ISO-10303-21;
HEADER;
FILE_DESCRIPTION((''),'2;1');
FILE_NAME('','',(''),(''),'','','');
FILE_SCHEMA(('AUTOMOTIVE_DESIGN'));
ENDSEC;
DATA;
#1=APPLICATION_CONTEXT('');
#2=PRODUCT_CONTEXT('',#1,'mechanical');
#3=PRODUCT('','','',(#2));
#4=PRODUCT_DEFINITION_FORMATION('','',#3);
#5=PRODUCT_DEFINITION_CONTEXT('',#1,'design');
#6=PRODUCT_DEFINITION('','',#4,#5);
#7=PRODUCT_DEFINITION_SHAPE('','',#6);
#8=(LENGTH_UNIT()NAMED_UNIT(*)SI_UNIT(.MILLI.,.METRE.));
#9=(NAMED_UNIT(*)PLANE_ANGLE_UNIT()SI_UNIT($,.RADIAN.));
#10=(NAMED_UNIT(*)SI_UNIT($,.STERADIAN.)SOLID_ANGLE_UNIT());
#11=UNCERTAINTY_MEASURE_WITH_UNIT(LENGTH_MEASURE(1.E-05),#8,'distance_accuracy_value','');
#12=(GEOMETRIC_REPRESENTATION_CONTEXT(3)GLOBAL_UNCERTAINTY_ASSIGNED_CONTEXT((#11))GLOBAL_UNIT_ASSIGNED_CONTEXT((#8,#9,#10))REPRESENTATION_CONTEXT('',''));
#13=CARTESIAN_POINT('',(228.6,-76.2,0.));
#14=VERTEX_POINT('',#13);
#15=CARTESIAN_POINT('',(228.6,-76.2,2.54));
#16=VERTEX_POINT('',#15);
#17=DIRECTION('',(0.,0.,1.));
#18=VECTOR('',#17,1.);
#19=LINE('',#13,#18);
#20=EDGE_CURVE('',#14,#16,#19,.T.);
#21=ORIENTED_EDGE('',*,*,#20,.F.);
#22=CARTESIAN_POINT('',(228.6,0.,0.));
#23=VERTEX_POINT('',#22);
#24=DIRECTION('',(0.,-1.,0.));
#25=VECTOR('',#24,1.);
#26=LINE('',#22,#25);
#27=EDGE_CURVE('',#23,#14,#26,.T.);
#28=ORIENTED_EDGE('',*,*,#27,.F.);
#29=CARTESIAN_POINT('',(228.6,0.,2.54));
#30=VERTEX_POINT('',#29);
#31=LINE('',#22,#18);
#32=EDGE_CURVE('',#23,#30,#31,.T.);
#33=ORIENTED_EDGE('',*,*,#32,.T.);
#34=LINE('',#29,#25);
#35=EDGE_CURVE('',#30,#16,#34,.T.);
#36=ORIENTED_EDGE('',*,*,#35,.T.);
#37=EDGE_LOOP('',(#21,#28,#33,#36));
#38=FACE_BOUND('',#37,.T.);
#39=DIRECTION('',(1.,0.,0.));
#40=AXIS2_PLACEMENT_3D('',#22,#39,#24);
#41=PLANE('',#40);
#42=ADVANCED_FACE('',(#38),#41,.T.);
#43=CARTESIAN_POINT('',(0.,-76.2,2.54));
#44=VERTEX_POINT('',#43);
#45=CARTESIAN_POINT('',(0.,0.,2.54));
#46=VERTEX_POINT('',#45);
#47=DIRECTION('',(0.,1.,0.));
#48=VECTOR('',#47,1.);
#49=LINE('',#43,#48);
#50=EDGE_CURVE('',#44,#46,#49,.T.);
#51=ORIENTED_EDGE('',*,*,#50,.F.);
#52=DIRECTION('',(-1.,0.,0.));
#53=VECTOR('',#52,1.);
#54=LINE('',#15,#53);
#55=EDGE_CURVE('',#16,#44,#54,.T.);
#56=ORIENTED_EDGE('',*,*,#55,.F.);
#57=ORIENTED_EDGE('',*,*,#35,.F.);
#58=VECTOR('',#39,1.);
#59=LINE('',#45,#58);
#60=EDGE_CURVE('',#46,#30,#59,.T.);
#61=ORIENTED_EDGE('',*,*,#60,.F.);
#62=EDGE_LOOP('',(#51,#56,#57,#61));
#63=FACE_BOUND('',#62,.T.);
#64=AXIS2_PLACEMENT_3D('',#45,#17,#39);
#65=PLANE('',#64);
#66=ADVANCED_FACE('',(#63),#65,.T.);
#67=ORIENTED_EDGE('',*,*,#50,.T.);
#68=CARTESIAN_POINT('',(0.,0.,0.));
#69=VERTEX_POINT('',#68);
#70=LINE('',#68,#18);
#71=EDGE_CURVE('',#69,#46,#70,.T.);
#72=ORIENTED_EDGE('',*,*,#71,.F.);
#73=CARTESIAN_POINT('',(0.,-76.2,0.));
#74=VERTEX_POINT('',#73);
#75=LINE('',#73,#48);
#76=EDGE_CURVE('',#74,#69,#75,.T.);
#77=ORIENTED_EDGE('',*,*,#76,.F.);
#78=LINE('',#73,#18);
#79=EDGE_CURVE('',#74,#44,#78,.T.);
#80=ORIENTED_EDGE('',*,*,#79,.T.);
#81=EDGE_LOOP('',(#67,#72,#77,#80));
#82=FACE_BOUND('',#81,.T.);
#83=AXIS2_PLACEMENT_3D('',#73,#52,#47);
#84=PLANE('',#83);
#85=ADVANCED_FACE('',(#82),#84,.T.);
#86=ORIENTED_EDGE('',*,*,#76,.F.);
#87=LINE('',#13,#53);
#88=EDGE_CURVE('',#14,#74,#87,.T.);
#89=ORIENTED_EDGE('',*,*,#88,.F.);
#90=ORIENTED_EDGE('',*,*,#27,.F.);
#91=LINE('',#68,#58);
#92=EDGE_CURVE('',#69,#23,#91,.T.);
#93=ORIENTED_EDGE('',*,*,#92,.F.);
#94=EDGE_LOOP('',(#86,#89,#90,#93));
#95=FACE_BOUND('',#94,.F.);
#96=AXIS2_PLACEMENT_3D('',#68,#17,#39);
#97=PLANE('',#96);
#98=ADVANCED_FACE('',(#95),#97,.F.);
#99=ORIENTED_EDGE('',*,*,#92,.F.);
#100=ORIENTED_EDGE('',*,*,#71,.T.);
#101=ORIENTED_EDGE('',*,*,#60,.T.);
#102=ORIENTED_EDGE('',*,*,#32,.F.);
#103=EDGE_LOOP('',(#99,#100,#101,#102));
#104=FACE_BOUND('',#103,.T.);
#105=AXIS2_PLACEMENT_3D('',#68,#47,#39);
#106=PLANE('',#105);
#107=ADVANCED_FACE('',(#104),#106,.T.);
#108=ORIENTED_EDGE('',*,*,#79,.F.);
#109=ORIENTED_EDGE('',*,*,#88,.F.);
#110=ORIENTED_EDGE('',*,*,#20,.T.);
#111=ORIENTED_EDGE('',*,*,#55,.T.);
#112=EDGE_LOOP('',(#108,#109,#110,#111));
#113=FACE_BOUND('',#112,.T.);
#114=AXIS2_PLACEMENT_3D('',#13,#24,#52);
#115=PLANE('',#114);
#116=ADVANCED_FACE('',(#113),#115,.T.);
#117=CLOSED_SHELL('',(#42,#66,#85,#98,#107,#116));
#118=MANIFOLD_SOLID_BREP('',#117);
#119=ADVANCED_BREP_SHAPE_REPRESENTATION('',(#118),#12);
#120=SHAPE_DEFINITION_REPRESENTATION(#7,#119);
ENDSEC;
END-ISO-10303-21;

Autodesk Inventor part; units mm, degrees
ref_plane "YZ Plane" through (0, 0, 0) normal (1, 0, 0) x (0, 1, 0)
ref_plane "XZ Plane" through (0, 0, 0) normal (0, 1, 0) x (-1, 0, 0)
ref_plane "XY Plane" through (0, 0, 0) normal (0, 0, 1) x (1, 0, 0)
sketch "Sketch1" plane through (0, 0, 0) normal (0, 0, 1) x (1, 0, 0)
  line L0 (0, 0) -> (228.6, 0)
  line L1 (228.6, 0) -> (228.6, -76.2)
  line L2 (228.6, -76.2) -> (0, -76.2)
  line L3 (0, -76.2) -> (0, 0)
  dimension "d0" = 228.6
  dimension "d1" = 76.2
extrude "Extrusion1" add sketch "Sketch1" along normal blind 2.54
properties part number "Bopper"
